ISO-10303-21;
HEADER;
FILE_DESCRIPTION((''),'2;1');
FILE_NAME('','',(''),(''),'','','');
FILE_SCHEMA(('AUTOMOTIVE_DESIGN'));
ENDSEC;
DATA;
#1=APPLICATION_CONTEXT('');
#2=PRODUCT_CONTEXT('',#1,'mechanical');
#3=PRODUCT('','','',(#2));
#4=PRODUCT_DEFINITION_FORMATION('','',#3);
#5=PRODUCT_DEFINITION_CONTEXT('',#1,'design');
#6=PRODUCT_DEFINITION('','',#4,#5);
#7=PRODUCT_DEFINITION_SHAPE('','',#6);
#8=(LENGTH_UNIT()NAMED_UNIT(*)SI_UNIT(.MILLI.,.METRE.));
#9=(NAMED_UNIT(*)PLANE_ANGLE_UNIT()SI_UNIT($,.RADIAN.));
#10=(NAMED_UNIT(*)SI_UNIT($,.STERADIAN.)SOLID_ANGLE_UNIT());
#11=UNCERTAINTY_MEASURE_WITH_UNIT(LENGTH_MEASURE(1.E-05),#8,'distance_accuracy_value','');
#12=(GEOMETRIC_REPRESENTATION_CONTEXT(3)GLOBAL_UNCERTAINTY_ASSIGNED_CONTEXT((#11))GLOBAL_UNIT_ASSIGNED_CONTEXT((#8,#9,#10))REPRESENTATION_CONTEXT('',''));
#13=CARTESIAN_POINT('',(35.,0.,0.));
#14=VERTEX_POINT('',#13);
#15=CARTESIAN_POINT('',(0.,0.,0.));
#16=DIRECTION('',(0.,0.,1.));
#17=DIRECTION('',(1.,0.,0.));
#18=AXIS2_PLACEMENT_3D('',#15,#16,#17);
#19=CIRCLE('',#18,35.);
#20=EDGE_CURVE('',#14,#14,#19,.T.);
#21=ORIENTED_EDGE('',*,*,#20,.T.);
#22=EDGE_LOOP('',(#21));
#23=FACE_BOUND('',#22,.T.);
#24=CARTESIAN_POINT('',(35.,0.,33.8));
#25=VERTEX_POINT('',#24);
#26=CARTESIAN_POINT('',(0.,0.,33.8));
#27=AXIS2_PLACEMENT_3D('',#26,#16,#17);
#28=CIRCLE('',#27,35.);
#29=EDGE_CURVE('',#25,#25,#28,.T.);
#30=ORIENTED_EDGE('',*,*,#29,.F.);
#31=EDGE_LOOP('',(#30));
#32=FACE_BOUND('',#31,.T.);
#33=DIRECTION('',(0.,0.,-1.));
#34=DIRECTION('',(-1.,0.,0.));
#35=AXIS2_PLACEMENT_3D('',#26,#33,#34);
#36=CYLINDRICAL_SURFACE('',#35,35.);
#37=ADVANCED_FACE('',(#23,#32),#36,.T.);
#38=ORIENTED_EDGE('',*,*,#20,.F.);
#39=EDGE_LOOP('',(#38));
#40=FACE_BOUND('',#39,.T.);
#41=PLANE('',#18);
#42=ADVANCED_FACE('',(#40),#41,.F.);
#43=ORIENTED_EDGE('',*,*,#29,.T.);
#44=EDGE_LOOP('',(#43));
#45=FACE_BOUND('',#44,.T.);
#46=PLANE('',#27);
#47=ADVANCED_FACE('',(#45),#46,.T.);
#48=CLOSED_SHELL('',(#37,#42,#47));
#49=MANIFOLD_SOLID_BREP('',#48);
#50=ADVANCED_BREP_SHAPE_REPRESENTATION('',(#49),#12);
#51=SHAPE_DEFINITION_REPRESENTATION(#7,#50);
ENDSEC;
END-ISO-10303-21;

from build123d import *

# Parameters (mm, degrees)
SKETCH_1_R        = 35
EXTRUDE_203_DEPTH = 33.8


with BuildPart() as part:
    # 草图1 → Extrude 203 (new body)
    with BuildSketch(Plane.XY):
        Circle(SKETCH_1_R)
    extrude(amount=EXTRUDE_203_DEPTH)


solid = part.part
